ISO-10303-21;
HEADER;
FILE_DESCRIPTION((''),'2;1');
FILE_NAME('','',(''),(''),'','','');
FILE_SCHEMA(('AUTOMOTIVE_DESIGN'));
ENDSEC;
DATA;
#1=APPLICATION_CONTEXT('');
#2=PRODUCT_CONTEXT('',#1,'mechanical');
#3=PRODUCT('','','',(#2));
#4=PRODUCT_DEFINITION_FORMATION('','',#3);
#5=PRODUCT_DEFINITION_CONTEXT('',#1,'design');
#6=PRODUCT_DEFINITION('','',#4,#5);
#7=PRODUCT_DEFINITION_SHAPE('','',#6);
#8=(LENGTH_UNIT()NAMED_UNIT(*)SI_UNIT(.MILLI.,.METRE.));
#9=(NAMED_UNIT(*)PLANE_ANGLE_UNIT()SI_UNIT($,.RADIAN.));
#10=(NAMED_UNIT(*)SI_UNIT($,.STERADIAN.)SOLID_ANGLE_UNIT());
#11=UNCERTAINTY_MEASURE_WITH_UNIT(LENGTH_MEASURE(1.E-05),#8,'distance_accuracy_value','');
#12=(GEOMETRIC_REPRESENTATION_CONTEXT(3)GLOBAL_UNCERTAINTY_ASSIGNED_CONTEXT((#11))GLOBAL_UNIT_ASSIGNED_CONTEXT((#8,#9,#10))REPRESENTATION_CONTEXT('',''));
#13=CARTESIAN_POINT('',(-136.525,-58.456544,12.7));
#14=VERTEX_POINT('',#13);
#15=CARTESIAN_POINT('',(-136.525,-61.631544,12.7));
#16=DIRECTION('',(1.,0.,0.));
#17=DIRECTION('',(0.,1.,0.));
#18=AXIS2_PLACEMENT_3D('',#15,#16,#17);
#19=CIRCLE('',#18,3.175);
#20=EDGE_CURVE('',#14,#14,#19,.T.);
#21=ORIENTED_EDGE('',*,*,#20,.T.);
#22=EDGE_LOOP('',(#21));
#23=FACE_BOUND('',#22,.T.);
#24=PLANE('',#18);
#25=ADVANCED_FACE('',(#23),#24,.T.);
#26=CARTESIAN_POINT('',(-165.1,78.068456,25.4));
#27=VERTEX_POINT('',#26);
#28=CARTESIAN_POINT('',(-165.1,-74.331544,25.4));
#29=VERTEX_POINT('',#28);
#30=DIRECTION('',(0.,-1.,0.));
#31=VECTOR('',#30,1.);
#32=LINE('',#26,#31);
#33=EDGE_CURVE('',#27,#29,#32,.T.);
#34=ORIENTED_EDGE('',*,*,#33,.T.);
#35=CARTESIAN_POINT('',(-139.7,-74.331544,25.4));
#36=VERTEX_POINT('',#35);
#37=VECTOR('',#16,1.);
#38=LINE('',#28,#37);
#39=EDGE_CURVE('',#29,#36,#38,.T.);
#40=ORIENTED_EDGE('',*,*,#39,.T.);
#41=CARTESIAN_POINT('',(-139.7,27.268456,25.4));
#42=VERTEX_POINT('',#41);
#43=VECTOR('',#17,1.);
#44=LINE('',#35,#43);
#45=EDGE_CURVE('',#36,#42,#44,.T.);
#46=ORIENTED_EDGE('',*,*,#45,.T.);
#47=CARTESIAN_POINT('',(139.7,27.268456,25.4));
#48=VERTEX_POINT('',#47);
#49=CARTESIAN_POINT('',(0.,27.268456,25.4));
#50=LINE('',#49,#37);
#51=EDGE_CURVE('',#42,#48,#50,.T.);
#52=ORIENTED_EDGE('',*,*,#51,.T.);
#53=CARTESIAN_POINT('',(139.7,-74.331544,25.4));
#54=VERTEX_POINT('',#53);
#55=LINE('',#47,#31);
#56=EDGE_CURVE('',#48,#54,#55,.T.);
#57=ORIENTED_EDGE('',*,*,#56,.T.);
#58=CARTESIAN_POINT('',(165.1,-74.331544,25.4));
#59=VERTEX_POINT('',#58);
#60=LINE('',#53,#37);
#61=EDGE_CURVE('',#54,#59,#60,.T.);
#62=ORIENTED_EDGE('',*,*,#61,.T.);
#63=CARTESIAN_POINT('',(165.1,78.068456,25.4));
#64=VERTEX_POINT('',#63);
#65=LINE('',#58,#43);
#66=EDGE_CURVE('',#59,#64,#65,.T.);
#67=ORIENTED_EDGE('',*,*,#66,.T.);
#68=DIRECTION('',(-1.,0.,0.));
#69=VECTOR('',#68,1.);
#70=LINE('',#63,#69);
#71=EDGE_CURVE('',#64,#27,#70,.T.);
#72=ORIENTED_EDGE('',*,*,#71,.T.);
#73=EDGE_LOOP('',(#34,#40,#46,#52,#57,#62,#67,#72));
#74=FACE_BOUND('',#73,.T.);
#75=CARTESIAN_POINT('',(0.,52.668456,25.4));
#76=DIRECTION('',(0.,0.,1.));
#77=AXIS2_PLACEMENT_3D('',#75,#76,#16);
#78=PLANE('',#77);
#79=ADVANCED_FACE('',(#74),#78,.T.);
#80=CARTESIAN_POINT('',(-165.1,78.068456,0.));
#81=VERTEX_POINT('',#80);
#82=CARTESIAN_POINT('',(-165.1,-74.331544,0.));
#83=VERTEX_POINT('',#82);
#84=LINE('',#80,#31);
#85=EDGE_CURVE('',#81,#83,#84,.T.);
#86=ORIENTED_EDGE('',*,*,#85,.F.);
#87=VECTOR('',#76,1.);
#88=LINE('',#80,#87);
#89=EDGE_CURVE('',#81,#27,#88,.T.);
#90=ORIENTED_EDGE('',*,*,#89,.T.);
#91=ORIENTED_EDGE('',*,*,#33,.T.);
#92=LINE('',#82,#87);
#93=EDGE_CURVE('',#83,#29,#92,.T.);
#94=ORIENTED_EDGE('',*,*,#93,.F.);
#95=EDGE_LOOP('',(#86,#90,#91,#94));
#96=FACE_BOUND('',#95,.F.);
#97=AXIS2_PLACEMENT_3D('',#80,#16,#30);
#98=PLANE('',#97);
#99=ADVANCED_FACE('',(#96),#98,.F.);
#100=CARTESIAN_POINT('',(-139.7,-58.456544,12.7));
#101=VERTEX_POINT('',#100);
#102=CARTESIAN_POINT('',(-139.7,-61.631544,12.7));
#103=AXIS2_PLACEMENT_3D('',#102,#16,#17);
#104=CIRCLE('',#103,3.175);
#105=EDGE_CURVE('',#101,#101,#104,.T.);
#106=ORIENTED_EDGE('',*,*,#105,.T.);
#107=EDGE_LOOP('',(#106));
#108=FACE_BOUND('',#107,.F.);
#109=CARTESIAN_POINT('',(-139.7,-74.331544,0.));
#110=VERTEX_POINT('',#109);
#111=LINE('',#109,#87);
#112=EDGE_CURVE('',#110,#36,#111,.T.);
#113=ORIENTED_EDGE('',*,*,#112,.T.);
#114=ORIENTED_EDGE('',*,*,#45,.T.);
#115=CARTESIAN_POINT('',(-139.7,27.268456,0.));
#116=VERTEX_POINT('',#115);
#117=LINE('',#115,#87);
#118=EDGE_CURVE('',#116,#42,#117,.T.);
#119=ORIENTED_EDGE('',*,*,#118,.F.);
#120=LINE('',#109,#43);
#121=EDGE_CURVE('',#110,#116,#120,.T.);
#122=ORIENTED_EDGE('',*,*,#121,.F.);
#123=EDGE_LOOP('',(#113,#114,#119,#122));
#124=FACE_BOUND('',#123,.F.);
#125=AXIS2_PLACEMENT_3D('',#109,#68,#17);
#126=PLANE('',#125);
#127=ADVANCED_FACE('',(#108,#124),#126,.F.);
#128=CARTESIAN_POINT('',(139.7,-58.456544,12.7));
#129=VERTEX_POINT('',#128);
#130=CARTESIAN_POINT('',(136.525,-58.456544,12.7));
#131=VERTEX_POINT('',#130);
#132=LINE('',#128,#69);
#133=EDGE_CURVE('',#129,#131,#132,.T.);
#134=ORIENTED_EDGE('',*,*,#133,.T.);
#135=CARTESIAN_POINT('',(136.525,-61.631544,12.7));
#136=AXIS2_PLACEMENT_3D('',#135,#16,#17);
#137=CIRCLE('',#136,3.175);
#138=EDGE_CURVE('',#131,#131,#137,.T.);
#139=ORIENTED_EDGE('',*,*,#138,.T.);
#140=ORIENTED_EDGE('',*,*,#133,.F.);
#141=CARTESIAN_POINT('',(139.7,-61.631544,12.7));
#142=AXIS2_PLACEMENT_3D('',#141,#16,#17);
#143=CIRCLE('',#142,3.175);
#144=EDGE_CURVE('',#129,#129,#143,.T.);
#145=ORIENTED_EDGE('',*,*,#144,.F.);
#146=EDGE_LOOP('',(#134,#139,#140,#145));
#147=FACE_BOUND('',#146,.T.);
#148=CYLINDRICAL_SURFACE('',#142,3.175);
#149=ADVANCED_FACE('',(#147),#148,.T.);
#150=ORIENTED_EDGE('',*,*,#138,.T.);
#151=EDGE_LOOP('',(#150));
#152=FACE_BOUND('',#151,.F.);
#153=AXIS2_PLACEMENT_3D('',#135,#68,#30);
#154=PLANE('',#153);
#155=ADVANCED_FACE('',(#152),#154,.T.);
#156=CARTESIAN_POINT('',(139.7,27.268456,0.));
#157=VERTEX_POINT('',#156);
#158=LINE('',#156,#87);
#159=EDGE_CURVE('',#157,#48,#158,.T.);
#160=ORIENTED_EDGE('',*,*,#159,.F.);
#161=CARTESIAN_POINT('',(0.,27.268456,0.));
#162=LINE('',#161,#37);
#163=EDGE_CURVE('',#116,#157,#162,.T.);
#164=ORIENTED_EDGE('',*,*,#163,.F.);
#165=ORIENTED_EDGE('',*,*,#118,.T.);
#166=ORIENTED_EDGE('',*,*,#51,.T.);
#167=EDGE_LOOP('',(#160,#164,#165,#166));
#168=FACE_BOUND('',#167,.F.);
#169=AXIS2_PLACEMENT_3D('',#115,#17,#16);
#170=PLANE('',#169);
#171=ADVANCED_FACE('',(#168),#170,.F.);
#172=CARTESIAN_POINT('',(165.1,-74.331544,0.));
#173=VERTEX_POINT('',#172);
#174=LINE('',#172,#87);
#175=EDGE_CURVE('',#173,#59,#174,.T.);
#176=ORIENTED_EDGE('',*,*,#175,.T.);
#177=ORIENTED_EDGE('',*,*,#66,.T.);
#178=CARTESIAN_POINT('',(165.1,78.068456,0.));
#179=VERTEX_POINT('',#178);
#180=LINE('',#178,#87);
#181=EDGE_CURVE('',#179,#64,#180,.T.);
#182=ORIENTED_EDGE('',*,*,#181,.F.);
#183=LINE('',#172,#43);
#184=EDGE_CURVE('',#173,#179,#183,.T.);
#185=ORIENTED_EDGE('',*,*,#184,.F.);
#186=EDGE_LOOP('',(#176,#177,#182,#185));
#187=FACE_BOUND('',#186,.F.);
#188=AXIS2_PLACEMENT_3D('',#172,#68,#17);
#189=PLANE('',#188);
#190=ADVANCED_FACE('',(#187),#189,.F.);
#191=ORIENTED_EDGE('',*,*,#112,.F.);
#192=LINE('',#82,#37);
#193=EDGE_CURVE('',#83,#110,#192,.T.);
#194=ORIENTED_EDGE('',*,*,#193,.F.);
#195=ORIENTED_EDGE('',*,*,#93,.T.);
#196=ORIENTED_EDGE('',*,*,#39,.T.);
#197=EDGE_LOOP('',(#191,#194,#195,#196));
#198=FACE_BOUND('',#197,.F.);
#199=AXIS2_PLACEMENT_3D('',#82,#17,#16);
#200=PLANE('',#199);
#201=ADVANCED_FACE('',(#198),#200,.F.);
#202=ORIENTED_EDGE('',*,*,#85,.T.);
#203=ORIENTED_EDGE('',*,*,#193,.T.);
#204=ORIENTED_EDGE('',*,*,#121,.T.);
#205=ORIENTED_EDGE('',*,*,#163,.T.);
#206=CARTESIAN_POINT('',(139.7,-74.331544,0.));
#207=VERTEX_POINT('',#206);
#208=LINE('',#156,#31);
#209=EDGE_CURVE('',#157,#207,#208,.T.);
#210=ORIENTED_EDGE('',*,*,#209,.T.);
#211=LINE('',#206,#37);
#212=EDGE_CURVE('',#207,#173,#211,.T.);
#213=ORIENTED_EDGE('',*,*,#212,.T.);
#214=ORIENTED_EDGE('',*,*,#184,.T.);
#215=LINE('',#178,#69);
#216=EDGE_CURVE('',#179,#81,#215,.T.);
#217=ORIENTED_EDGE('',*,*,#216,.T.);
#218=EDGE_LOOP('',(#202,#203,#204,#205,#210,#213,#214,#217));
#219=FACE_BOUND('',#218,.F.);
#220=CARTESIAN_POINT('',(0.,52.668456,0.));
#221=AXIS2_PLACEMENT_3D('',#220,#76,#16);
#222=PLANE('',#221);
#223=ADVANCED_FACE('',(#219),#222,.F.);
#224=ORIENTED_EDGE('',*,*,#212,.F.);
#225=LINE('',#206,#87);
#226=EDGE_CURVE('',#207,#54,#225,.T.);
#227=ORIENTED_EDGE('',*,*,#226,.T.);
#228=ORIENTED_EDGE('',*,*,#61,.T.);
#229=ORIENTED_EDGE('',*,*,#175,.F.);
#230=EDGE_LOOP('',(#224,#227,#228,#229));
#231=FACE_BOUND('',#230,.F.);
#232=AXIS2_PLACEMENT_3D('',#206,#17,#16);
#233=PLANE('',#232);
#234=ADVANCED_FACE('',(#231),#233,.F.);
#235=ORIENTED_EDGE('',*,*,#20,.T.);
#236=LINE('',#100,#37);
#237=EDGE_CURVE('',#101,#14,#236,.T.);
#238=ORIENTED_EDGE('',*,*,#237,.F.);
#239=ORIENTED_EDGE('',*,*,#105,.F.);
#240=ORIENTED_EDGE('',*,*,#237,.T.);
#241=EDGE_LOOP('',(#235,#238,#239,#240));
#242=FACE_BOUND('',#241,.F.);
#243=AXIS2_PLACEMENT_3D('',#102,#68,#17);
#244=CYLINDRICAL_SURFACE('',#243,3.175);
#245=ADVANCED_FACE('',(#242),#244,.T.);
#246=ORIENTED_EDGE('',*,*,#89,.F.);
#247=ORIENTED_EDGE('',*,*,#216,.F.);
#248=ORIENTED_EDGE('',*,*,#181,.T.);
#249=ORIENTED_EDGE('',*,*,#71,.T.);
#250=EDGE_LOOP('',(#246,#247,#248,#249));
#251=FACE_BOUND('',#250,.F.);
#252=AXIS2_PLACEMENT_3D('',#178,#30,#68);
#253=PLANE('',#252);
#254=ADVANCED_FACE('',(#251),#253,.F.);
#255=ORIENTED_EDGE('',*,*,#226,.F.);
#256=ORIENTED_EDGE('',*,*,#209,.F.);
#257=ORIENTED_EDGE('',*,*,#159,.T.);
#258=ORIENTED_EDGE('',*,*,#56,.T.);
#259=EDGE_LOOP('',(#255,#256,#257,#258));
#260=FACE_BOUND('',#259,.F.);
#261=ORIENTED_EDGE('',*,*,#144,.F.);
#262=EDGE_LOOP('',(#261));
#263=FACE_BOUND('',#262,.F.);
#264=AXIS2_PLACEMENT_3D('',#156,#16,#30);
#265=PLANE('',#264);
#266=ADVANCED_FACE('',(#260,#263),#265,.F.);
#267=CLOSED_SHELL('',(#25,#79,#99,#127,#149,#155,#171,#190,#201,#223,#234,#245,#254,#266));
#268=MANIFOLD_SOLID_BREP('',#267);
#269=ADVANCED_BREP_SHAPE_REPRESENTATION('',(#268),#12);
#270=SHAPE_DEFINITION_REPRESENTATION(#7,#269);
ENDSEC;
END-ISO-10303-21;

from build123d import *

# Parameters (mm, degrees)
F0_W     = 279.4
F0_H     = 50.8
F1_DEPTH = 25.4
F2_R     = 3.175
F3_DEPTH = 3.175


with BuildPart() as f1:
    # F0 (on Top) → F1 (new body)
    with BuildSketch(Plane.XY):
        with Locations((0, 52.668456)):
            Rectangle(F0_W, F0_H)
        Polygon((-139.7, -74.331544), (-139.7, 27.268456), (-139.7, 78.068456), (-165.1, 78.068456), (-165.1, -74.331544), align=None)
        Polygon((139.7, 78.068456), (139.7, 27.268456), (139.7, -74.331544), (165.1, -74.331544), (165.1, 78.068456), align=None)
    extrude(amount=F1_DEPTH)

    # F2 (on face) → F3 (join)
    with BuildSketch(Plane.YZ.offset(-139.7)):
        with Locations((-61.631544, 12.7)):
            Circle(F2_R)
    extrude(amount=F3_DEPTH)

    # F4: F1 across plane


with BuildPart() as f1_1:
    add(f1.part)
    add(f1.part.mirror(Plane.YZ))


solid = f1_1.part
